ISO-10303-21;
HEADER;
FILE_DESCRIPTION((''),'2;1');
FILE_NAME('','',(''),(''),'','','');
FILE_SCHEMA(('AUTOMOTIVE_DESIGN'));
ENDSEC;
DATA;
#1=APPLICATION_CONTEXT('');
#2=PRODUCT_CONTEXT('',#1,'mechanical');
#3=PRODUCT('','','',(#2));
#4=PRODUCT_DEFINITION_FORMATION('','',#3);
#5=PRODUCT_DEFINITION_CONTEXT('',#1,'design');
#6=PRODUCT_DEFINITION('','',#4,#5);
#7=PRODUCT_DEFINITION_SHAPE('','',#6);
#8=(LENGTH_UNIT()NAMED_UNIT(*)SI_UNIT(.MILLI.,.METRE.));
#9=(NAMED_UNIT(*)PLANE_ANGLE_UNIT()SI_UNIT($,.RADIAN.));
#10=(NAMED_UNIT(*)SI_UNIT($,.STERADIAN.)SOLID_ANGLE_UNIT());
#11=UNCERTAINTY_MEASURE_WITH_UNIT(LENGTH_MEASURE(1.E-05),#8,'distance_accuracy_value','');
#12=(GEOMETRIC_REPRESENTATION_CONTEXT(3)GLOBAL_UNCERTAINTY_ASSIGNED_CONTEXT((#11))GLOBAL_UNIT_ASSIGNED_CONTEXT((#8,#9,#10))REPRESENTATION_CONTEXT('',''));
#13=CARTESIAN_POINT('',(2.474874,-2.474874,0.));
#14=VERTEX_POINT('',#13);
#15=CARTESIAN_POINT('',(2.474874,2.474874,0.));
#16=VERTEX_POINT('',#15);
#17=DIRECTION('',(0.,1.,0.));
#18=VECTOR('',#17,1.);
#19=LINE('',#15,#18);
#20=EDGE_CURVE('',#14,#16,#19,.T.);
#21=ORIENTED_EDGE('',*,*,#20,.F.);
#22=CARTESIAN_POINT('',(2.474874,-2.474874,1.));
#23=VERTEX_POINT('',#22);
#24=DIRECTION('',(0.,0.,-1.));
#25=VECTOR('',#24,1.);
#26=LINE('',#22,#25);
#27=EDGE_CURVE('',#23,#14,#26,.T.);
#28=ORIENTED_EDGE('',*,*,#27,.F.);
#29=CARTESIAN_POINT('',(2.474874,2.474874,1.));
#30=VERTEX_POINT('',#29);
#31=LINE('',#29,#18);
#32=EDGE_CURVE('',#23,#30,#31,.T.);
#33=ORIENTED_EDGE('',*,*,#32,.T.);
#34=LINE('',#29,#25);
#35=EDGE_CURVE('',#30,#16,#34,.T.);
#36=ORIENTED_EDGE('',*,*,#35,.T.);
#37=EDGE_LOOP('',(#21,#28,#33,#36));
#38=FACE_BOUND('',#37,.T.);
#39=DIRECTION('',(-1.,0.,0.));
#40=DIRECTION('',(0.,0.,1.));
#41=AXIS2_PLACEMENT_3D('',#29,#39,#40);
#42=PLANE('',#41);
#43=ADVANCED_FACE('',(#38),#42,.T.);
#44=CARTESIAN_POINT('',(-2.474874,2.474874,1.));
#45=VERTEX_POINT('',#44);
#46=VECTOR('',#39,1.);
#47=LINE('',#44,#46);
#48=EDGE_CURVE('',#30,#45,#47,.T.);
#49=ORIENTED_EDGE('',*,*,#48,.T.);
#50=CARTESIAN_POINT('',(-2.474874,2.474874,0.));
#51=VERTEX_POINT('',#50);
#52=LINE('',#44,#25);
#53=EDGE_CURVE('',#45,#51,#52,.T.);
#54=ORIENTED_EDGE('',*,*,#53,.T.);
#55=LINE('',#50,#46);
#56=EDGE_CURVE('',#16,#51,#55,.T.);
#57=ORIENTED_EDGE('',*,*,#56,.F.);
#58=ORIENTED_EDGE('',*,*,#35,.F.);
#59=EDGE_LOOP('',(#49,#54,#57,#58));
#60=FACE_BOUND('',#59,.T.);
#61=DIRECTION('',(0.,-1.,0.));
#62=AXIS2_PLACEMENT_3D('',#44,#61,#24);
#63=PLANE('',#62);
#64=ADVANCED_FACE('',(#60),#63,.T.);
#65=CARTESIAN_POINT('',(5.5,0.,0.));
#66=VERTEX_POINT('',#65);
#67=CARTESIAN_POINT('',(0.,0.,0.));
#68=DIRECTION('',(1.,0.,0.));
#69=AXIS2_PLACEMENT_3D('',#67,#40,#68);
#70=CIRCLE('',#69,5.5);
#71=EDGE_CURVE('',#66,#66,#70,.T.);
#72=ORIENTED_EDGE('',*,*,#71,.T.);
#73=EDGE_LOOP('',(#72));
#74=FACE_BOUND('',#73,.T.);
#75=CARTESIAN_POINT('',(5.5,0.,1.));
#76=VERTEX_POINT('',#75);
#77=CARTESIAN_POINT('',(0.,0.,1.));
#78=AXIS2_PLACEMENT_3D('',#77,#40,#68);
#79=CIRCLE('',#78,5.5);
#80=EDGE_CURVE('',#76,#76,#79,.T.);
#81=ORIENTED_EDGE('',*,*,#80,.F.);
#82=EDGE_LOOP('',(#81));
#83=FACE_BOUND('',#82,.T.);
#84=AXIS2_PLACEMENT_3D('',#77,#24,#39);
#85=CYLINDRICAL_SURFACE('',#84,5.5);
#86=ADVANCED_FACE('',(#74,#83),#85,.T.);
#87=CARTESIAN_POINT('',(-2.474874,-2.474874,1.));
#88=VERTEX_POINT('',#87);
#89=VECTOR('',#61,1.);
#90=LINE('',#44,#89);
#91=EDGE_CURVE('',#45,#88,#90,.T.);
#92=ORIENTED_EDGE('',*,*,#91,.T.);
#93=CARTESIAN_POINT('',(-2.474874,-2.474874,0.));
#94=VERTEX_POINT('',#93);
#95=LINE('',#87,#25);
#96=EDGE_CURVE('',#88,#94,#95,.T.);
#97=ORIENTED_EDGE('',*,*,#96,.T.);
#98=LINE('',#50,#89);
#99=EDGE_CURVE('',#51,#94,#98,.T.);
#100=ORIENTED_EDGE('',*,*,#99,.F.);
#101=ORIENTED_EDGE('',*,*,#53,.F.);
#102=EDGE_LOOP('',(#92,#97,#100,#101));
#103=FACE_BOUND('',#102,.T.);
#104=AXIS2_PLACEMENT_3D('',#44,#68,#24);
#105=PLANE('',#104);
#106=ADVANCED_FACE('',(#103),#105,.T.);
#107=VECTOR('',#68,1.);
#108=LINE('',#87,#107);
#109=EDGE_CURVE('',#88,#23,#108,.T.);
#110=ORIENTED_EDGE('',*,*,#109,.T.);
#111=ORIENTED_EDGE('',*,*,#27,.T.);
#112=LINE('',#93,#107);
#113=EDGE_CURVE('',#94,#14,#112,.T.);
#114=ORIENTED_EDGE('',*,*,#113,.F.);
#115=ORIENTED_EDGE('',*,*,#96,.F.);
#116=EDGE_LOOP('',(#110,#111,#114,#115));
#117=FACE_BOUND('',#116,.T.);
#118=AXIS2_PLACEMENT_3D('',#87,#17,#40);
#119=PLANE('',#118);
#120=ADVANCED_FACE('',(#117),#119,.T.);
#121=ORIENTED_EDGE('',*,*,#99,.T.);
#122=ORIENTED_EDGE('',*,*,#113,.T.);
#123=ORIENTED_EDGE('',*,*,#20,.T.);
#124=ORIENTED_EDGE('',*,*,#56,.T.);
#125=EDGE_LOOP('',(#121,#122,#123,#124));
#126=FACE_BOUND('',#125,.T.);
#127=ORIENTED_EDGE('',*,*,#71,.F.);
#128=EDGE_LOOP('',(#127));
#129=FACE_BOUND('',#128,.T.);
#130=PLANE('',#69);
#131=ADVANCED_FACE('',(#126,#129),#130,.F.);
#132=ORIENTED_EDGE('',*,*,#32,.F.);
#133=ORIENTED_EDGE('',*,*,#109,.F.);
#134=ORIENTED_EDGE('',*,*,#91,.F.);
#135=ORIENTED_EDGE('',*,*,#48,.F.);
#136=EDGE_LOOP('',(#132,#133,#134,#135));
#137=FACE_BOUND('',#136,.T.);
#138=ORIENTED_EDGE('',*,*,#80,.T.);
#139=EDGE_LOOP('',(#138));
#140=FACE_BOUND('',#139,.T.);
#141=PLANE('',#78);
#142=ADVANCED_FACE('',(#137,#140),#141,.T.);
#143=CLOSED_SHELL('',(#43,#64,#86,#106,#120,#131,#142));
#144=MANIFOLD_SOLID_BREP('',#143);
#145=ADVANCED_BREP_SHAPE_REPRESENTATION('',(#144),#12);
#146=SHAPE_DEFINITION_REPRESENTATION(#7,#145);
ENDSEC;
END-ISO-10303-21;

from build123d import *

# Parameters (mm, degrees)
ESQUISSE1_R      = 5.5
ESQUISSE1_W      = 4.949747468
ESQUISSE1_H      = 4.949747468
EXTRUSION1_DEPTH = 1


with BuildPart() as part:
    # Esquisse1 → Extrusion1 (new body)
    with BuildSketch(Plane.XY):
        Circle(ESQUISSE1_R)
        Rectangle(ESQUISSE1_W, ESQUISSE1_H, mode=Mode.SUBTRACT)
    extrude(amount=EXTRUSION1_DEPTH)


solid = part.part
